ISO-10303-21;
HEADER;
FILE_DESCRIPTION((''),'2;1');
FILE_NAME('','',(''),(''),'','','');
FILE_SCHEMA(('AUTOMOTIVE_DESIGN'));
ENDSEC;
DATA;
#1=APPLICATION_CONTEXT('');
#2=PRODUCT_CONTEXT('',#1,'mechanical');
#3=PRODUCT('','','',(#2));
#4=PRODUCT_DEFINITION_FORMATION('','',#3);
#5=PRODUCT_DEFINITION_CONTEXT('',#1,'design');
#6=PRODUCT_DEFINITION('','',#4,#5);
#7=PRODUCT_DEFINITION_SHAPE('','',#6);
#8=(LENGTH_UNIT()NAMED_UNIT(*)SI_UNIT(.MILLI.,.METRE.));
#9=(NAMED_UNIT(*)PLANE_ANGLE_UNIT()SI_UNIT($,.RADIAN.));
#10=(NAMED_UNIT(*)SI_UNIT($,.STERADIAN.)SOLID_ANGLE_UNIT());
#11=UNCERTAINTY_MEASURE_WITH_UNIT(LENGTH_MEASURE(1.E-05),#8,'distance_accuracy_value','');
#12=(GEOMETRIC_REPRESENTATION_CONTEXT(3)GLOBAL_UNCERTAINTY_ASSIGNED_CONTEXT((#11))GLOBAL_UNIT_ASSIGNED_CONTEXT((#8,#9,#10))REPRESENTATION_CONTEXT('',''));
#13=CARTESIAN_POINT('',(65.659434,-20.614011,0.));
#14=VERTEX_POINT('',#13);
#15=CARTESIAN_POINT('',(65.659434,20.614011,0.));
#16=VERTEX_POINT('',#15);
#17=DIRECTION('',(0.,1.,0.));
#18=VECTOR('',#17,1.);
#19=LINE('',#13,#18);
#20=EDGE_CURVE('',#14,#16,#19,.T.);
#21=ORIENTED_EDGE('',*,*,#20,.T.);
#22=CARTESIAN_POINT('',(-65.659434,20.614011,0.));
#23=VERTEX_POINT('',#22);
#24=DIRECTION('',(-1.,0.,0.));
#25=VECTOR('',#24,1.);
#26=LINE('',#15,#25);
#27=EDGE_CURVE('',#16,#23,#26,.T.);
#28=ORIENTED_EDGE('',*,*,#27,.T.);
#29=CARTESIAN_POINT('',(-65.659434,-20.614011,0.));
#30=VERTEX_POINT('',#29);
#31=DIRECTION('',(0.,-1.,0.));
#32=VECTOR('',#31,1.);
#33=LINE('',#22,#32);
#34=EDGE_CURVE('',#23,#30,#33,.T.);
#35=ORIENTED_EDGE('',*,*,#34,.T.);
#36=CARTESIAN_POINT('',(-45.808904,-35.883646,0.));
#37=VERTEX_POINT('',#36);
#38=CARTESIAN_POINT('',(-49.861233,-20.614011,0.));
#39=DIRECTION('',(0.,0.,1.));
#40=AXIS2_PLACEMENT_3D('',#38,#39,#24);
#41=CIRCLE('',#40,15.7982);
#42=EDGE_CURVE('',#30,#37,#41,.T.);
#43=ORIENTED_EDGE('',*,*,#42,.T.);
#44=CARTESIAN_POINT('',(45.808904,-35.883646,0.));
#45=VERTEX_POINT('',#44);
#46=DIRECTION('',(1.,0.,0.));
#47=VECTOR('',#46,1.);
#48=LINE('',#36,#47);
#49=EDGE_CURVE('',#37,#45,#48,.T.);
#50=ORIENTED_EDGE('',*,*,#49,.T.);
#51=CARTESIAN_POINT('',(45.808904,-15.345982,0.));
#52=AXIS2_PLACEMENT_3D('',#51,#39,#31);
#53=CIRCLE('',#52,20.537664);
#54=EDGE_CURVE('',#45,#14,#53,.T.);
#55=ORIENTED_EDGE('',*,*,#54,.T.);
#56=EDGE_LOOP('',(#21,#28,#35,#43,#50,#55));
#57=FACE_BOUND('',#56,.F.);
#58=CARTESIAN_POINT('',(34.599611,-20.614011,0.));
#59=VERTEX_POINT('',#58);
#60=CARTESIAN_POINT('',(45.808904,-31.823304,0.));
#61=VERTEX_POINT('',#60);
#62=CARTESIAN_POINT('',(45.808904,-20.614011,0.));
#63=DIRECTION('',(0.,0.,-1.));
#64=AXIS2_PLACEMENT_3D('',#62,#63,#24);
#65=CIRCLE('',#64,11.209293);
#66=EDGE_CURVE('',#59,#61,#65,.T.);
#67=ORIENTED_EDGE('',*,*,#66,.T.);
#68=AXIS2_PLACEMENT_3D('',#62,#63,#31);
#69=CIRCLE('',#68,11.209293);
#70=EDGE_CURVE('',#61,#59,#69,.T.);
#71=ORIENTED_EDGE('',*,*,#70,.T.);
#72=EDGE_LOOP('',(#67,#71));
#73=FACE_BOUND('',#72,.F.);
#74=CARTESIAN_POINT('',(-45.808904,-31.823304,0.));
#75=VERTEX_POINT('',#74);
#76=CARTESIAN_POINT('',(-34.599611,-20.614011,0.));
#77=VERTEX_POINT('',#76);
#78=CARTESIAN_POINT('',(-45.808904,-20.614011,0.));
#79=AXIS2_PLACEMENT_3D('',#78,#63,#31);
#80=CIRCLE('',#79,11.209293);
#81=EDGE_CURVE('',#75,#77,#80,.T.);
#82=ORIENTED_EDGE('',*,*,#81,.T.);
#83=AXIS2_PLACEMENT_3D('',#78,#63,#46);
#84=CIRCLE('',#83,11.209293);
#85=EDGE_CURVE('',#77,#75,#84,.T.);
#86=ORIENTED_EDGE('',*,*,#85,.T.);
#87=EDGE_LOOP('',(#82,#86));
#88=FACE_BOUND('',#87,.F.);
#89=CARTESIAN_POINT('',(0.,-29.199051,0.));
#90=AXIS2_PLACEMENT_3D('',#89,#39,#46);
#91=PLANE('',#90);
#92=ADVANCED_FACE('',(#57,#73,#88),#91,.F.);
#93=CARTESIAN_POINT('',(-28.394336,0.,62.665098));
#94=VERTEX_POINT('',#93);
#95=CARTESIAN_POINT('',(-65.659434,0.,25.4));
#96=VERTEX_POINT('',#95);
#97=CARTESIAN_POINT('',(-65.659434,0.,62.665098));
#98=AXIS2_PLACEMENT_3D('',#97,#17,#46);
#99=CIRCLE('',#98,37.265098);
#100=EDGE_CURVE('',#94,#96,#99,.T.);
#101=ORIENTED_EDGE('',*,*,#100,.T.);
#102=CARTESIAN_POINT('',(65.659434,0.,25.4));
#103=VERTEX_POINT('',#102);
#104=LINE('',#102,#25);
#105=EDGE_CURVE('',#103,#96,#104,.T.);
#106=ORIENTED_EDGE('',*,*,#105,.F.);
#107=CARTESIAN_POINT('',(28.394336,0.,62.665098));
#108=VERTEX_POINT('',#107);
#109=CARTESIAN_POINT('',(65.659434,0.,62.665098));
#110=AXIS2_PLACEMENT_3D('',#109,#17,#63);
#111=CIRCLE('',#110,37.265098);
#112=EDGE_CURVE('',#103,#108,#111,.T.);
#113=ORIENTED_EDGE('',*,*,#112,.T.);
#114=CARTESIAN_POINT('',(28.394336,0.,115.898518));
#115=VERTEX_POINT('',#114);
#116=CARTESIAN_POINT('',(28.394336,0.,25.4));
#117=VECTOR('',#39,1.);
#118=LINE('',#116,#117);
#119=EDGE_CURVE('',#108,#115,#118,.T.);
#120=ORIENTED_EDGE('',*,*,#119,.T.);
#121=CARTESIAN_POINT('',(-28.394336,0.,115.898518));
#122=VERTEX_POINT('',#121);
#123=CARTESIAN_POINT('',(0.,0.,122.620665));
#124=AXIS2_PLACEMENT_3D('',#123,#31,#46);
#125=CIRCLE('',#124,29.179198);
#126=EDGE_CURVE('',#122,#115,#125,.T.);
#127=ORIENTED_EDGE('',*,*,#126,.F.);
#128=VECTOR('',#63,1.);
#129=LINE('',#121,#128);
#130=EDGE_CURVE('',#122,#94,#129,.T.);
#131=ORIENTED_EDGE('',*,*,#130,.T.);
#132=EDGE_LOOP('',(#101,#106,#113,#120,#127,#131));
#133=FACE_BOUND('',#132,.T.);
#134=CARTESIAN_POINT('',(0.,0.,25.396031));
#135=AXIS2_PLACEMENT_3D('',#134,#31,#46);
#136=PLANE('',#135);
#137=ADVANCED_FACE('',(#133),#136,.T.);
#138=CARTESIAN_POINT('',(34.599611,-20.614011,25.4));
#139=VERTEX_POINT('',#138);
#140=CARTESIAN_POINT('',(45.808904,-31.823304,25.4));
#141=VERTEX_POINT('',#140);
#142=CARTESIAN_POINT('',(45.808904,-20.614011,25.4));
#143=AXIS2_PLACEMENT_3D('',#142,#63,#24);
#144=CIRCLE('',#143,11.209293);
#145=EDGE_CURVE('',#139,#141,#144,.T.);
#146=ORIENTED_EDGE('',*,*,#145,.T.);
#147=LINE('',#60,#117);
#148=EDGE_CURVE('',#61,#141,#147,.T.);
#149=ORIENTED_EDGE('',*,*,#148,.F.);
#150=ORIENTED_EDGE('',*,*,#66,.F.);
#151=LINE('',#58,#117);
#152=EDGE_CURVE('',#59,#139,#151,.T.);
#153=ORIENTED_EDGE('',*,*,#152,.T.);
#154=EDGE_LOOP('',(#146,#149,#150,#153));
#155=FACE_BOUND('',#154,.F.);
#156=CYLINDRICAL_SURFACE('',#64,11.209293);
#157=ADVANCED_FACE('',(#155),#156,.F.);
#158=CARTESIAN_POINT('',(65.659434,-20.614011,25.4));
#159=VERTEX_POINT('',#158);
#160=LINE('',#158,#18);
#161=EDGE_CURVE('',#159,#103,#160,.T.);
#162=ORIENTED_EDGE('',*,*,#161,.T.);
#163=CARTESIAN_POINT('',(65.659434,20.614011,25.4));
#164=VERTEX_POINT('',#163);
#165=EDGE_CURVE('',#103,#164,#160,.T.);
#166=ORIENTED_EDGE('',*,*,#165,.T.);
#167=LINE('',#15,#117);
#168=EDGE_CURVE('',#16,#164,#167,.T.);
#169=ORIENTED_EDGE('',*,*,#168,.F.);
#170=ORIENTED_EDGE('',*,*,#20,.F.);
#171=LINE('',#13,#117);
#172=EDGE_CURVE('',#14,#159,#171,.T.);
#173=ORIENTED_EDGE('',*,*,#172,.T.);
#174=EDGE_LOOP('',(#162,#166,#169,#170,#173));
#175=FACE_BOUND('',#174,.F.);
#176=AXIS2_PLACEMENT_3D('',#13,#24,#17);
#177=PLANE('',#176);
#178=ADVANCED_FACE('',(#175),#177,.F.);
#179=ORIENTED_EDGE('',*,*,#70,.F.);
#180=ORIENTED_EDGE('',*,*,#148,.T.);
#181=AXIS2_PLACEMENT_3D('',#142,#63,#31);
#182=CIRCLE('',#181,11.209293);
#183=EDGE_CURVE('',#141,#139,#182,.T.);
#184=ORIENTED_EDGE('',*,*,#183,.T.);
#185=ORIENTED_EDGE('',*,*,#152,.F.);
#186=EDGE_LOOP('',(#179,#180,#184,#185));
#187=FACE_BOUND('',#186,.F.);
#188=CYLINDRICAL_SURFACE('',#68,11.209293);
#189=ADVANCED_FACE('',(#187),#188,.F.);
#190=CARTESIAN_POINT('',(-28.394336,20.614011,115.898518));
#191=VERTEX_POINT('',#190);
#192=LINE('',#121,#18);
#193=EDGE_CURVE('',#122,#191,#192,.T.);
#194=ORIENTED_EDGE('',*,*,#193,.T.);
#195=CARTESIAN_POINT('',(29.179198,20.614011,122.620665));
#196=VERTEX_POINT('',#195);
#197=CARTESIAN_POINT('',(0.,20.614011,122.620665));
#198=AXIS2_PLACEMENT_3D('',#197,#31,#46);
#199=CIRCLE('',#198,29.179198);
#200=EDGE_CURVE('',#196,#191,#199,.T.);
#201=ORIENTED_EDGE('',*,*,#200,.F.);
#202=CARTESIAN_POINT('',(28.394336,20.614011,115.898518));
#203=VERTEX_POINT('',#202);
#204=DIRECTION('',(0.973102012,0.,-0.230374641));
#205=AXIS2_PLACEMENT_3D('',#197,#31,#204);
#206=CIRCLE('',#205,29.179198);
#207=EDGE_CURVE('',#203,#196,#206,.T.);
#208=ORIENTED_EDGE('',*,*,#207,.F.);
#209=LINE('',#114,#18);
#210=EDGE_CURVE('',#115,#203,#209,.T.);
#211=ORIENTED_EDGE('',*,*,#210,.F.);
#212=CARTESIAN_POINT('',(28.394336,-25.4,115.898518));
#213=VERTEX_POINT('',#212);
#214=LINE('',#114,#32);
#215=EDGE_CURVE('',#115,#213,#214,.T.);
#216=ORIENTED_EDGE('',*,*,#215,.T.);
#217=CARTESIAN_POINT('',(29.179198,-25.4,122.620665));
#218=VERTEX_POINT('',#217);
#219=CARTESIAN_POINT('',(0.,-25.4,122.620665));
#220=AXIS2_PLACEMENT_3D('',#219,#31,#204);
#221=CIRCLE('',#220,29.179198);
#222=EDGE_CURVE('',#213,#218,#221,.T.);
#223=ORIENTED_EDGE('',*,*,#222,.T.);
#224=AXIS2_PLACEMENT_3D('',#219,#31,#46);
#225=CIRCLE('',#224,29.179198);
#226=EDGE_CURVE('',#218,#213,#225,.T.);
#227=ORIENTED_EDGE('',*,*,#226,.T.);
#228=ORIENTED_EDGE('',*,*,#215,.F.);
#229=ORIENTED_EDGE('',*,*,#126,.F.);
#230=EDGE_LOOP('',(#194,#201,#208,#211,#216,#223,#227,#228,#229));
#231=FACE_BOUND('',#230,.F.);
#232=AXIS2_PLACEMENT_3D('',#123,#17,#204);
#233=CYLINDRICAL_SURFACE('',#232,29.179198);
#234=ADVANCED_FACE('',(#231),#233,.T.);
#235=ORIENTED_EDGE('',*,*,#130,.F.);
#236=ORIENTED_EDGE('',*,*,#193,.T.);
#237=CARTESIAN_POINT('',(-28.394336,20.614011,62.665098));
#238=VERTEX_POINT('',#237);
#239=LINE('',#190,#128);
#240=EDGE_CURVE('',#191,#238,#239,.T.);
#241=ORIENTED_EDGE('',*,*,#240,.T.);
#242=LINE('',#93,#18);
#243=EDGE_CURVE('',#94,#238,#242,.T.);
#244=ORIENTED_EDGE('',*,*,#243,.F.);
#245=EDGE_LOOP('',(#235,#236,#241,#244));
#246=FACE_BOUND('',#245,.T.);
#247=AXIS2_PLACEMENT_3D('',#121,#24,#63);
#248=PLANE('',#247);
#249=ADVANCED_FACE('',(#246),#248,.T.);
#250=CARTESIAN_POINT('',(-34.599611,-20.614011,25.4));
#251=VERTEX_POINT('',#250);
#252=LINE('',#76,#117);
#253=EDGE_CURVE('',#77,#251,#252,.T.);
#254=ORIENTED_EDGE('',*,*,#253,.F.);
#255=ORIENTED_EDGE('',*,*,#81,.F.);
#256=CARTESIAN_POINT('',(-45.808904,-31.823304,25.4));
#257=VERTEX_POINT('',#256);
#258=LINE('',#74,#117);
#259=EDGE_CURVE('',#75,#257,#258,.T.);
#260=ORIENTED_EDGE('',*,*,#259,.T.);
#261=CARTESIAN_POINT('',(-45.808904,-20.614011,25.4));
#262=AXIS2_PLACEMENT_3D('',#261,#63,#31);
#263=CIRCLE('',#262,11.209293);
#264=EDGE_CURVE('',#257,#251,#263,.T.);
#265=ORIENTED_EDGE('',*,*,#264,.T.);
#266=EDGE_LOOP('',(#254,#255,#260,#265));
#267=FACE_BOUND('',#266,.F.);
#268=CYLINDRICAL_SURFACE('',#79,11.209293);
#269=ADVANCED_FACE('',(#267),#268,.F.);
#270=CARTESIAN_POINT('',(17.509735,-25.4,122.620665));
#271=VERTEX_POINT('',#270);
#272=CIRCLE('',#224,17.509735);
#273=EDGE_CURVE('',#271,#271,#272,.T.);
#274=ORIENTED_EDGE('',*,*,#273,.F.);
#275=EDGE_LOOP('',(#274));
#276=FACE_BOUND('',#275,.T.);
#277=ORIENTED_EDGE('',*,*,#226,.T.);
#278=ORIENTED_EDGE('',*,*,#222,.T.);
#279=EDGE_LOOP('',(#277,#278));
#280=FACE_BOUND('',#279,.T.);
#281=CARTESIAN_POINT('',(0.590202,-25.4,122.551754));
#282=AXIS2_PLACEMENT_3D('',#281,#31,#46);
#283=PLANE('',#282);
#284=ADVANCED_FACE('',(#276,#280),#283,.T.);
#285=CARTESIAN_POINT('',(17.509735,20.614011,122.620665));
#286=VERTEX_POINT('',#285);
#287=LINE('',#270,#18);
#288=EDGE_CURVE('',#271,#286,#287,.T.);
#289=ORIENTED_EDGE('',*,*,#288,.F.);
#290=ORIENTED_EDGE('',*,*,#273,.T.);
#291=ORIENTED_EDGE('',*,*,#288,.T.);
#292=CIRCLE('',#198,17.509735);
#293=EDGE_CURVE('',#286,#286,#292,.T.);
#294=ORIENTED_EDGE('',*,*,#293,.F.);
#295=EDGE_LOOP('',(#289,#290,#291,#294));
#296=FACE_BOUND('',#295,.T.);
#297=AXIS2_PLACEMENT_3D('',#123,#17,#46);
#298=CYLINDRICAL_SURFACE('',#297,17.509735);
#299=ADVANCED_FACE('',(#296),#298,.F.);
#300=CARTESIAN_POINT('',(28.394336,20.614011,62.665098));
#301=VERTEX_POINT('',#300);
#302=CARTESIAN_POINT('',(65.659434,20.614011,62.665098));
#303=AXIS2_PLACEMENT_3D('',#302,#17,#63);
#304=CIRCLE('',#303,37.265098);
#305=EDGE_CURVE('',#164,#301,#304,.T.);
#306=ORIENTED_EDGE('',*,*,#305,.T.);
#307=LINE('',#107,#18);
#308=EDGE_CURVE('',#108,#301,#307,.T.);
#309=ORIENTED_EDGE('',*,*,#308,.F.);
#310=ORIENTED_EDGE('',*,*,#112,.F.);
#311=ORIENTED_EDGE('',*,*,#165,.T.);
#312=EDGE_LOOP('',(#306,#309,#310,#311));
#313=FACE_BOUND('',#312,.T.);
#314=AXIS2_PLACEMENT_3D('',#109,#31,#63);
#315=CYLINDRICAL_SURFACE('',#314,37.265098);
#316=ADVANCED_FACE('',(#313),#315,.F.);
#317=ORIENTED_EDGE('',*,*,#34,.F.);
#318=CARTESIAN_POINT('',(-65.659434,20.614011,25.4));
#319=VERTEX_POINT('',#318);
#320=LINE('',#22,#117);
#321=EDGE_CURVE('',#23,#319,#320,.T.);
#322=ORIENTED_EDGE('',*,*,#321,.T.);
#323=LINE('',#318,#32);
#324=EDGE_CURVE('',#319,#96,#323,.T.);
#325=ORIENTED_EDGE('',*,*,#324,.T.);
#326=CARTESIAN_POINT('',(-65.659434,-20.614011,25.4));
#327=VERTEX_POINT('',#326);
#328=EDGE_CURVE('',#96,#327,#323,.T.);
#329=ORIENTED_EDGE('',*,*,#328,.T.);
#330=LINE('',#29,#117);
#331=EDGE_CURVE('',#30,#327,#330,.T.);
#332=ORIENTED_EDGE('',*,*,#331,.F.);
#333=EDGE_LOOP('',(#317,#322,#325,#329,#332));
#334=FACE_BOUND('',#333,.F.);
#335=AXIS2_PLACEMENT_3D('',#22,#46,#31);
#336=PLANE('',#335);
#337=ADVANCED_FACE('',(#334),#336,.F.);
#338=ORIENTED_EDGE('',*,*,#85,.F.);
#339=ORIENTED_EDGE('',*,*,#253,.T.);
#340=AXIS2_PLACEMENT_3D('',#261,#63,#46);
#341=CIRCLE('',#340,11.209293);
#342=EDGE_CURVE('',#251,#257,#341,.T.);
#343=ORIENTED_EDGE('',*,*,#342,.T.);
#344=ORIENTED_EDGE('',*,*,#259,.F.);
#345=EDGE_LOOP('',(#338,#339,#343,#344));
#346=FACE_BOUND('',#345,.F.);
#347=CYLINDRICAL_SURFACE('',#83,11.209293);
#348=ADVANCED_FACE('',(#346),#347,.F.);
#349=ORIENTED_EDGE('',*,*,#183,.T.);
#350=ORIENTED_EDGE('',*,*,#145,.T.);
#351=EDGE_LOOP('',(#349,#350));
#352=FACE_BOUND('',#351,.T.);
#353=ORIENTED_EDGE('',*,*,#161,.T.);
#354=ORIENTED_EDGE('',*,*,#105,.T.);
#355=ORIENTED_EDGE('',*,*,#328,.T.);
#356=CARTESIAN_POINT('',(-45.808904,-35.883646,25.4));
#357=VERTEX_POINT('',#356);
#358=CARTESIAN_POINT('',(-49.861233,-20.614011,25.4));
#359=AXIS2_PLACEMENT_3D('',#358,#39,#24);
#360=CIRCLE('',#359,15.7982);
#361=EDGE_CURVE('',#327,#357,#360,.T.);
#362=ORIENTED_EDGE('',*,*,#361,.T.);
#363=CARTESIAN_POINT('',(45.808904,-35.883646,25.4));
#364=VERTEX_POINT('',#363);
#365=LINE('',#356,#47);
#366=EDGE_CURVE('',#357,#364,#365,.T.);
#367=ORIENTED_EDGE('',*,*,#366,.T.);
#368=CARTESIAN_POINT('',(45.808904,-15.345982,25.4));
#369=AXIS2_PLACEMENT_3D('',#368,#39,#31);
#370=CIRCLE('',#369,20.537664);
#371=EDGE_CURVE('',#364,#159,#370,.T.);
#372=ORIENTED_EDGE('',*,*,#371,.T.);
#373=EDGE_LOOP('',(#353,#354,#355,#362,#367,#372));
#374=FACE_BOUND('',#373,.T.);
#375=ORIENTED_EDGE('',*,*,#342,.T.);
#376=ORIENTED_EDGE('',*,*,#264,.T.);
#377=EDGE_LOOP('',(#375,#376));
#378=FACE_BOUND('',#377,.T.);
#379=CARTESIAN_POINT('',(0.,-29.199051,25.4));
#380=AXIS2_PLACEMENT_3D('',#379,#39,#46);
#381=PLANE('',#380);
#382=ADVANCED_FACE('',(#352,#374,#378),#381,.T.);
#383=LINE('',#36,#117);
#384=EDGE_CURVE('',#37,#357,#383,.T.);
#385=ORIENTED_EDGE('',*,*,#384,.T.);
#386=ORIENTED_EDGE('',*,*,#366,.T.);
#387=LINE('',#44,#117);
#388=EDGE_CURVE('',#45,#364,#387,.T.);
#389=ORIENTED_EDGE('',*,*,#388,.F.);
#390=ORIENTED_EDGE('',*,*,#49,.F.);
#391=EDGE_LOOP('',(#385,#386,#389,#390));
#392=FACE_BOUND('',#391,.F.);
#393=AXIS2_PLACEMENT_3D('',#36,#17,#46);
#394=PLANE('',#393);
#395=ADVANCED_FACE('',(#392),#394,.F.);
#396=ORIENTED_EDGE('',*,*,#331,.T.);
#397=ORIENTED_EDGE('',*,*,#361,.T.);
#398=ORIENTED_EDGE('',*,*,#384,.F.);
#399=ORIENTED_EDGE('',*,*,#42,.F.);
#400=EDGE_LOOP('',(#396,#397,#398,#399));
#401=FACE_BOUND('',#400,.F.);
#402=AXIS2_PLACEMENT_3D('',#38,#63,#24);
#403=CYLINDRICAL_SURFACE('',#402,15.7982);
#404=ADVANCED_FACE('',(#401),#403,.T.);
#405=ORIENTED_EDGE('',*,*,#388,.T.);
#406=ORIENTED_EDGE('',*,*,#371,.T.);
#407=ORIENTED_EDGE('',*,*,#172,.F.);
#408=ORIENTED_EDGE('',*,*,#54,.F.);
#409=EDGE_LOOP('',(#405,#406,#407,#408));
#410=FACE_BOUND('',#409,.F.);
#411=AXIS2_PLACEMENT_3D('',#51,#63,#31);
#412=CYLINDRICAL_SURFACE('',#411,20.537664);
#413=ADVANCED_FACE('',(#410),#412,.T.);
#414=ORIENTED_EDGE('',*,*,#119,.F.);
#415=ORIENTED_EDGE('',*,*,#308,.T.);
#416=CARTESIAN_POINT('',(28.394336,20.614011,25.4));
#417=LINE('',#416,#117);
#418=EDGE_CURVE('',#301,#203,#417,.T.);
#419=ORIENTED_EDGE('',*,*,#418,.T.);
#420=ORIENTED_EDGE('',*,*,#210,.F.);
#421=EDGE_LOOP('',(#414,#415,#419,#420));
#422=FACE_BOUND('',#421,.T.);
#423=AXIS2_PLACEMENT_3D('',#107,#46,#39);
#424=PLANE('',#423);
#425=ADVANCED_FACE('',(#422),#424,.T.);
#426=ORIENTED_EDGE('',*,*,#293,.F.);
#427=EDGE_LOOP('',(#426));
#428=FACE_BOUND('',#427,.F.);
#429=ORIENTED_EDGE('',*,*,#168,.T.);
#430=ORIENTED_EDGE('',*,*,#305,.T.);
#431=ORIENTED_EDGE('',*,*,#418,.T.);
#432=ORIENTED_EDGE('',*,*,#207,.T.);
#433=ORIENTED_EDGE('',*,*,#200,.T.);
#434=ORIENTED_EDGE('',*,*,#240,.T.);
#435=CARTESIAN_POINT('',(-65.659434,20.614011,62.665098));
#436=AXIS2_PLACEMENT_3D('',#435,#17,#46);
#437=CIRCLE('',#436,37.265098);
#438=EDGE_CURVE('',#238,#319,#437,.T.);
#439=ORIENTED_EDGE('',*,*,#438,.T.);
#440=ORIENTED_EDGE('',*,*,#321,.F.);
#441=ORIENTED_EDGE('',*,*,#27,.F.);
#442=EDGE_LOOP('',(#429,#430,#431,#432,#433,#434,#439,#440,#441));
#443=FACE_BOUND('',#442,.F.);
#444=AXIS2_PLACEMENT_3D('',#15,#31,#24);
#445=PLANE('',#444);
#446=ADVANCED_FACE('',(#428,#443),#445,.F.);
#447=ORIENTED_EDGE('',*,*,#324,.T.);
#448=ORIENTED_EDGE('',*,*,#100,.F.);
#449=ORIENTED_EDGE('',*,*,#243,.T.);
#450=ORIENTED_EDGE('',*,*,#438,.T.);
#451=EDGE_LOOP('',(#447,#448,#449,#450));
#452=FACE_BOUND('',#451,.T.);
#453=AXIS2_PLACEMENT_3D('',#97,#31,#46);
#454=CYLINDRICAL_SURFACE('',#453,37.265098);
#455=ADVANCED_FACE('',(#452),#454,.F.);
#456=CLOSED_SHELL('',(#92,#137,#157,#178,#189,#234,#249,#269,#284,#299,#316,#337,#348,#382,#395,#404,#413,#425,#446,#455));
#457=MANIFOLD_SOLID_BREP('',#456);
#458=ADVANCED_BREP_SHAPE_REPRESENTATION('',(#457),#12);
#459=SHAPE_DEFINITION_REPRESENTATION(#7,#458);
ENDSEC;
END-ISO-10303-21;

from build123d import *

# Parameters (mm, degrees)
F1_DEPTH = 25.4
F2_W     = 56.788672138
F2_H     = 0.0079375762
F2_R     = 17.5097347042
F3_DEPTH = 20.6140112132
F4_DEPTH = 25.4


with BuildPart() as f1:
    # F0 (on Top) → F1 (new body)
    with BuildSketch(Plane.XY):
        with BuildLine():
            Line((-45.808903873, -35.8836464584), (45.808903873, -35.8836464584))
            Line((45.808903873, -35.8836464584), (45.808903873, -31.8233038162))
            ThreePointArc((45.808903873, -31.8233038162), (37.8827370611, -28.5401780251), (34.5996112699, -20.6140112132))
            Line((34.5996112699, -20.6140112132), (-34.5996112699, -20.6140112132))
            ThreePointArc((-34.5996112699, -20.6140112132), (-37.8827370611, -28.5401780251), (-45.808903873, -31.8233038162))
            Line((-45.808903873, -31.8233038162), (-45.808903873, -35.8836464584))
        make_face()
        with BuildLine():
            ThreePointArc((-65.6594336033, -20.6140112132), (-59.4935648199, -33.1360447052), (-45.808903873, -35.8836464584))
            Line((-45.808903873, -35.8836464584), (-45.808903873, -31.8233038162))
            ThreePointArc((-45.808903873, -31.8233038162), (-53.7350706849, -28.5401780251), (-57.018196476, -20.6140112132))
            Line((-57.018196476, -20.6140112132), (-65.6594336033, -20.6140112132))
        make_face()
        with BuildLine():
            ThreePointArc((45.808903873, -35.8836464584), (58.3309373649, -31.6246287158), (65.6594336033, -20.6140112132))
            Line((65.6594336033, -20.6140112132), (57.018196476, -20.6140112132))
            ThreePointArc((57.018196476, -20.6140112132), (53.7350706849, -28.5401780251), (45.808903873, -31.8233038162))
            Line((45.808903873, -31.8233038162), (45.808903873, -35.8836464584))
        make_face()
        with BuildLine():
            Line((57.018196476, -20.6140112132), (65.6594336033, -20.6140112132))
            Line((65.6594336033, -20.6140112132), (65.6594336033, 20.6140112132))
            Line((65.6594336033, 20.6140112132), (-65.6594336033, 20.6140112132))
            Line((-65.6594336033, 20.6140112132), (-65.6594336033, -20.6140112132))
            Line((-65.6594336033, -20.6140112132), (-57.018196476, -20.6140112132))
            ThreePointArc((-57.018196476, -20.6140112132), (-45.808903873, -9.4047186102), (-34.5996112699, -20.6140112132))
            Line((-34.5996112699, -20.6140112132), (34.5996112699, -20.6140112132))
            ThreePointArc((34.5996112699, -20.6140112132), (45.808903873, -9.4047186102), (57.018196476, -20.6140112132))
        make_face()
    extrude(amount=F1_DEPTH)

    # F2 (on Front) → F3 (join, through all)
    with BuildSketch(Plane.XZ):
        with Locations((0, 25.3960312119)):
            Rectangle(F2_W, F2_H)
        with BuildLine():
            ThreePointArc((65.6594336033, 25.4), (39.3090304352, 36.3146943662), (28.394336069, 62.6650975343))
            Line((28.394336069, 62.6650975343), (28.394336069, 25.4))
            Line((28.394336069, 25.4), (45.808903873, 25.4))
            Line((45.808903873, 25.4), (65.6594336033, 25.4))
        make_face()
        with BuildLine():
            ThreePointArc((28.394336069, 115.8985176562), (0, 93.4414670745), (-28.394336069, 115.8985176562))
            Line((-28.394336069, 115.8985176562), (-28.394336069, 62.6650975343))
            Line((-28.394336069, 62.6650975343), (-28.394336069, 25.4))
            Line((-28.394336069, 25.4), (28.394336069, 25.4))
            Line((28.394336069, 25.4), (28.394336069, 62.6650975343))
            Line((28.394336069, 62.6650975343), (28.394336069, 115.8985176562))
        make_face()
        with BuildLine():
            Line((-28.394336069, 25.4), (-28.394336069, 62.6650975343))
            ThreePointArc((-28.394336069, 62.6650975343), (-39.3090304352, 36.3146943662), (-65.6594336033, 25.4))
            Line((-65.6594336033, 25.4), (-45.808903873, 25.4))
            Line((-45.808903873, 25.4), (-28.394336069, 25.4))
        make_face()
        with BuildLine():
            ThreePointArc((28.394336069, 115.8985176562), (28.9823181644, 119.2367591717), (29.179197795, 122.6206648695))
            ThreePointArc((29.179197795, 122.6206648695), (-3.3839056978, 151.6029830339), (-28.394336069, 115.8985176562))
            ThreePointArc((-28.394336069, 115.8985176562), (0, 93.4414670745), (28.394336069, 115.8985176562))
        make_face()
        with Locations((0, 122.6206648695)):
            Circle(F2_R, mode=Mode.SUBTRACT)
    extrude(amount=-F3_DEPTH)

    # F2 (on Front) → F4 (join)
    with BuildSketch(Plane.XZ):
        with BuildLine():
            ThreePointArc((28.394336069, 115.8985176562), (28.9823181644, 119.2367591717), (29.179197795, 122.6206648695))
            ThreePointArc((29.179197795, 122.6206648695), (-3.3839056978, 151.6029830339), (-28.394336069, 115.8985176562))
            ThreePointArc((-28.394336069, 115.8985176562), (0, 93.4414670745), (28.394336069, 115.8985176562))
        make_face()
        with Locations((0, 122.6206648695)):
            Circle(F2_R, mode=Mode.SUBTRACT)
    extrude(amount=F4_DEPTH)


solid = f1.part
